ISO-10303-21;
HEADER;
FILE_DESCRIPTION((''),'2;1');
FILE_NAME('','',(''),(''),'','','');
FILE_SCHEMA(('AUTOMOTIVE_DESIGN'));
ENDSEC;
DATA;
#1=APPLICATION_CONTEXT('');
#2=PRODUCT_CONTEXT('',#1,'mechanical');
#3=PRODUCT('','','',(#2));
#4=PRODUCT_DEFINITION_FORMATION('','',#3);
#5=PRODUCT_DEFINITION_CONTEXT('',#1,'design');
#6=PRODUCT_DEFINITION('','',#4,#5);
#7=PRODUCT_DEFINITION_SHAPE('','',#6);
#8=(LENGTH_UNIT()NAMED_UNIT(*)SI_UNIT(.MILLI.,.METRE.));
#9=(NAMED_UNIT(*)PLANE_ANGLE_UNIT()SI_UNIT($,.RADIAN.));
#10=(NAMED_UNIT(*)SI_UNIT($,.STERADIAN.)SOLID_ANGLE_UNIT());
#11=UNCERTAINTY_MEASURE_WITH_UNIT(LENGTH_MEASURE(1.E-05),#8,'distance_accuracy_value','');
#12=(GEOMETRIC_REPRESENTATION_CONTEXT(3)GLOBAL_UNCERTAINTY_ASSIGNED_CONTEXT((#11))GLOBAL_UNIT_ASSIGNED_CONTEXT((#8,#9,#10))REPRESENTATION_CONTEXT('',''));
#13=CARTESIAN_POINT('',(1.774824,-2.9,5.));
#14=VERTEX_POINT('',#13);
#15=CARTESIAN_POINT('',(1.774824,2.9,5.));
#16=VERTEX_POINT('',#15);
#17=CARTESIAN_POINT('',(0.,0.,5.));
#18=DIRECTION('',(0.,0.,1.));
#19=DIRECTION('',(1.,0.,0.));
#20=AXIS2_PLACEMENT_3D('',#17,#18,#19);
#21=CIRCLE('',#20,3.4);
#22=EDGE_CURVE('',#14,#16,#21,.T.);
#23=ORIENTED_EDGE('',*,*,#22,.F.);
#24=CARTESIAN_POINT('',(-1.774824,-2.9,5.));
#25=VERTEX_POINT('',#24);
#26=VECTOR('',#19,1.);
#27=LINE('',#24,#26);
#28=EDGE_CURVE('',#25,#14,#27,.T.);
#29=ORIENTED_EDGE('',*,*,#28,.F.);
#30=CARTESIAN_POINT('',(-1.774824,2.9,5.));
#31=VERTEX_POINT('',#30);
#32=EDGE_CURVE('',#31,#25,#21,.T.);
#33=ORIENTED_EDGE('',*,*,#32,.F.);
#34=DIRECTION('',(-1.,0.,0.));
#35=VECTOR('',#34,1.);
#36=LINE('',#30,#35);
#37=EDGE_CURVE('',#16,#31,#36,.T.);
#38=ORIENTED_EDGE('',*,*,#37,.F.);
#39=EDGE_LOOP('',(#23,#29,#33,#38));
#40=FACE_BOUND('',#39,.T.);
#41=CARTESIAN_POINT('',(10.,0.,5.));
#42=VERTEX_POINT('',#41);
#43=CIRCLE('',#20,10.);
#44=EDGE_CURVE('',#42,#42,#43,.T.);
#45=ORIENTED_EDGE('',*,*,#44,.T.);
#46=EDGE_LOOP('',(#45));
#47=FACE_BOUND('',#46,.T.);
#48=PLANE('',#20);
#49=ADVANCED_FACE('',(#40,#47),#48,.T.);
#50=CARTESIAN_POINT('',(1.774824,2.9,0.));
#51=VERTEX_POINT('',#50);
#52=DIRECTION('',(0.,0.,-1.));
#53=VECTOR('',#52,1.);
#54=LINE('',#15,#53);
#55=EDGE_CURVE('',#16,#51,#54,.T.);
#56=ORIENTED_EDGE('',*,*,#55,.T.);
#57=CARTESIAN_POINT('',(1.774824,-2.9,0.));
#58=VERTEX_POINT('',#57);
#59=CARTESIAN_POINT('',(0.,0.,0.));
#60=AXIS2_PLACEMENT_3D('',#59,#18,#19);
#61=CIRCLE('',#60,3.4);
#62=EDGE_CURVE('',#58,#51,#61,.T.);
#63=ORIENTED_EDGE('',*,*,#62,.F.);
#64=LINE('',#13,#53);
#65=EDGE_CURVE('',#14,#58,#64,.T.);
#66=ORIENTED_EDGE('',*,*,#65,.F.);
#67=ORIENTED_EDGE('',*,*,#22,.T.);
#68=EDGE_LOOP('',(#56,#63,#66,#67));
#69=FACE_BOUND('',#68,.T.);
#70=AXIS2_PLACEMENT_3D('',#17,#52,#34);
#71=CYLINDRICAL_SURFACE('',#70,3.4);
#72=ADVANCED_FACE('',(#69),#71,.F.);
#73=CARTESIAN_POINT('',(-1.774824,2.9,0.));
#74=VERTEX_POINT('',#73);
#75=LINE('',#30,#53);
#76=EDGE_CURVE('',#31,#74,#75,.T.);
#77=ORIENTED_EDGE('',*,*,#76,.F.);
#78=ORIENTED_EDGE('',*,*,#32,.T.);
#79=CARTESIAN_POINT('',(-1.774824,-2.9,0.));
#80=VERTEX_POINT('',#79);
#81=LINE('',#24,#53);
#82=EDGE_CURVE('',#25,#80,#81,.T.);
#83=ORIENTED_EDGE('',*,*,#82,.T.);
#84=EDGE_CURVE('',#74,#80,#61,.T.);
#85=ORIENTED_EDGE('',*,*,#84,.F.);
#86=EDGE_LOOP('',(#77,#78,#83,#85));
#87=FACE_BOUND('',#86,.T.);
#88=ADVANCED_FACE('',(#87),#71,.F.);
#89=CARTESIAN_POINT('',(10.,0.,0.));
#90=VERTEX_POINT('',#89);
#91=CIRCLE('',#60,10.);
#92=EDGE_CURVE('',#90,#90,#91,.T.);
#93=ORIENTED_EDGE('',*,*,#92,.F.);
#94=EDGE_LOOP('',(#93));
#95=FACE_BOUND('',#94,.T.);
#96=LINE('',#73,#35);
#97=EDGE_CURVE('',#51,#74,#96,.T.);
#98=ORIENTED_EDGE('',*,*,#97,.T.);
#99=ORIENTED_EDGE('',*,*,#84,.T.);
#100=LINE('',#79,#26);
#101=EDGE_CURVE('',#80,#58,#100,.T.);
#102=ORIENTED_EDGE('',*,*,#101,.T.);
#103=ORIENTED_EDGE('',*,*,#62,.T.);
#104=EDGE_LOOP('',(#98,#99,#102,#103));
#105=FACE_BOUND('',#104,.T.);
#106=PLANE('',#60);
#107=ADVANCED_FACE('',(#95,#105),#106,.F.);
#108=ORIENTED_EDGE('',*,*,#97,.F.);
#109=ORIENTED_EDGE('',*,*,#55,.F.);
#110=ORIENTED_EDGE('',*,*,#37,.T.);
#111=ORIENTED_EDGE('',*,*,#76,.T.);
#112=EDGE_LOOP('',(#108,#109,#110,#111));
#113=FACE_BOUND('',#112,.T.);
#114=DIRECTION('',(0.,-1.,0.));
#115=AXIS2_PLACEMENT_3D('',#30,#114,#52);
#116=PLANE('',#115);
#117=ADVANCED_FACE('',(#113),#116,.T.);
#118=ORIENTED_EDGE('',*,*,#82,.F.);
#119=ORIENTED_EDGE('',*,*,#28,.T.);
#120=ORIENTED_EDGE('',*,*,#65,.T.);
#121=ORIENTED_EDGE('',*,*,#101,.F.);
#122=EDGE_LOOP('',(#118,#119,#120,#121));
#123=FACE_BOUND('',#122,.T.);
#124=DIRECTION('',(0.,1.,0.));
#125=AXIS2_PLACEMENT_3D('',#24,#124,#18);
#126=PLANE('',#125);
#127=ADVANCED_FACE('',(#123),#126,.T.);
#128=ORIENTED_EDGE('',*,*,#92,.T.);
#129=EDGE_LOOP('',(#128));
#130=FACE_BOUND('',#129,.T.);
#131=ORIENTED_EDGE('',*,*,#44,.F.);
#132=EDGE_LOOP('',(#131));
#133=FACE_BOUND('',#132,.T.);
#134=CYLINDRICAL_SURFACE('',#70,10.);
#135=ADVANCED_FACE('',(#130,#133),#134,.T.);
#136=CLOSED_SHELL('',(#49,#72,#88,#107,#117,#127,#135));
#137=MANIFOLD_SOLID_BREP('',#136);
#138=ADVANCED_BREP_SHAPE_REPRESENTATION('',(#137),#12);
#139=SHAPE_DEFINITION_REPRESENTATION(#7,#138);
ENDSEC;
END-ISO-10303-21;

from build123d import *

# Parameters (mm, degrees)
SKETCH1_R           = 10
BOSS_EXTRUDE1_DEPTH = 5


with BuildPart() as part:
    # Sketch1 → Boss-Extrude1 (new body)
    with BuildSketch(Plane.XY):
        Circle(SKETCH1_R)
        with BuildLine():
            Line((-1.774823935, 2.9), (1.774823935, 2.9))
            ThreePointArc((1.774823935, 2.9), (3.4, 0), (1.774823935, -2.9))
            Line((1.774823935, -2.9), (-1.774823935, -2.9))
            ThreePointArc((-1.774823935, -2.9), (-3.4, 0), (-1.774823935, 2.9))
        make_face(mode=Mode.SUBTRACT)
    extrude(amount=BOSS_EXTRUDE1_DEPTH)


solid = part.part
